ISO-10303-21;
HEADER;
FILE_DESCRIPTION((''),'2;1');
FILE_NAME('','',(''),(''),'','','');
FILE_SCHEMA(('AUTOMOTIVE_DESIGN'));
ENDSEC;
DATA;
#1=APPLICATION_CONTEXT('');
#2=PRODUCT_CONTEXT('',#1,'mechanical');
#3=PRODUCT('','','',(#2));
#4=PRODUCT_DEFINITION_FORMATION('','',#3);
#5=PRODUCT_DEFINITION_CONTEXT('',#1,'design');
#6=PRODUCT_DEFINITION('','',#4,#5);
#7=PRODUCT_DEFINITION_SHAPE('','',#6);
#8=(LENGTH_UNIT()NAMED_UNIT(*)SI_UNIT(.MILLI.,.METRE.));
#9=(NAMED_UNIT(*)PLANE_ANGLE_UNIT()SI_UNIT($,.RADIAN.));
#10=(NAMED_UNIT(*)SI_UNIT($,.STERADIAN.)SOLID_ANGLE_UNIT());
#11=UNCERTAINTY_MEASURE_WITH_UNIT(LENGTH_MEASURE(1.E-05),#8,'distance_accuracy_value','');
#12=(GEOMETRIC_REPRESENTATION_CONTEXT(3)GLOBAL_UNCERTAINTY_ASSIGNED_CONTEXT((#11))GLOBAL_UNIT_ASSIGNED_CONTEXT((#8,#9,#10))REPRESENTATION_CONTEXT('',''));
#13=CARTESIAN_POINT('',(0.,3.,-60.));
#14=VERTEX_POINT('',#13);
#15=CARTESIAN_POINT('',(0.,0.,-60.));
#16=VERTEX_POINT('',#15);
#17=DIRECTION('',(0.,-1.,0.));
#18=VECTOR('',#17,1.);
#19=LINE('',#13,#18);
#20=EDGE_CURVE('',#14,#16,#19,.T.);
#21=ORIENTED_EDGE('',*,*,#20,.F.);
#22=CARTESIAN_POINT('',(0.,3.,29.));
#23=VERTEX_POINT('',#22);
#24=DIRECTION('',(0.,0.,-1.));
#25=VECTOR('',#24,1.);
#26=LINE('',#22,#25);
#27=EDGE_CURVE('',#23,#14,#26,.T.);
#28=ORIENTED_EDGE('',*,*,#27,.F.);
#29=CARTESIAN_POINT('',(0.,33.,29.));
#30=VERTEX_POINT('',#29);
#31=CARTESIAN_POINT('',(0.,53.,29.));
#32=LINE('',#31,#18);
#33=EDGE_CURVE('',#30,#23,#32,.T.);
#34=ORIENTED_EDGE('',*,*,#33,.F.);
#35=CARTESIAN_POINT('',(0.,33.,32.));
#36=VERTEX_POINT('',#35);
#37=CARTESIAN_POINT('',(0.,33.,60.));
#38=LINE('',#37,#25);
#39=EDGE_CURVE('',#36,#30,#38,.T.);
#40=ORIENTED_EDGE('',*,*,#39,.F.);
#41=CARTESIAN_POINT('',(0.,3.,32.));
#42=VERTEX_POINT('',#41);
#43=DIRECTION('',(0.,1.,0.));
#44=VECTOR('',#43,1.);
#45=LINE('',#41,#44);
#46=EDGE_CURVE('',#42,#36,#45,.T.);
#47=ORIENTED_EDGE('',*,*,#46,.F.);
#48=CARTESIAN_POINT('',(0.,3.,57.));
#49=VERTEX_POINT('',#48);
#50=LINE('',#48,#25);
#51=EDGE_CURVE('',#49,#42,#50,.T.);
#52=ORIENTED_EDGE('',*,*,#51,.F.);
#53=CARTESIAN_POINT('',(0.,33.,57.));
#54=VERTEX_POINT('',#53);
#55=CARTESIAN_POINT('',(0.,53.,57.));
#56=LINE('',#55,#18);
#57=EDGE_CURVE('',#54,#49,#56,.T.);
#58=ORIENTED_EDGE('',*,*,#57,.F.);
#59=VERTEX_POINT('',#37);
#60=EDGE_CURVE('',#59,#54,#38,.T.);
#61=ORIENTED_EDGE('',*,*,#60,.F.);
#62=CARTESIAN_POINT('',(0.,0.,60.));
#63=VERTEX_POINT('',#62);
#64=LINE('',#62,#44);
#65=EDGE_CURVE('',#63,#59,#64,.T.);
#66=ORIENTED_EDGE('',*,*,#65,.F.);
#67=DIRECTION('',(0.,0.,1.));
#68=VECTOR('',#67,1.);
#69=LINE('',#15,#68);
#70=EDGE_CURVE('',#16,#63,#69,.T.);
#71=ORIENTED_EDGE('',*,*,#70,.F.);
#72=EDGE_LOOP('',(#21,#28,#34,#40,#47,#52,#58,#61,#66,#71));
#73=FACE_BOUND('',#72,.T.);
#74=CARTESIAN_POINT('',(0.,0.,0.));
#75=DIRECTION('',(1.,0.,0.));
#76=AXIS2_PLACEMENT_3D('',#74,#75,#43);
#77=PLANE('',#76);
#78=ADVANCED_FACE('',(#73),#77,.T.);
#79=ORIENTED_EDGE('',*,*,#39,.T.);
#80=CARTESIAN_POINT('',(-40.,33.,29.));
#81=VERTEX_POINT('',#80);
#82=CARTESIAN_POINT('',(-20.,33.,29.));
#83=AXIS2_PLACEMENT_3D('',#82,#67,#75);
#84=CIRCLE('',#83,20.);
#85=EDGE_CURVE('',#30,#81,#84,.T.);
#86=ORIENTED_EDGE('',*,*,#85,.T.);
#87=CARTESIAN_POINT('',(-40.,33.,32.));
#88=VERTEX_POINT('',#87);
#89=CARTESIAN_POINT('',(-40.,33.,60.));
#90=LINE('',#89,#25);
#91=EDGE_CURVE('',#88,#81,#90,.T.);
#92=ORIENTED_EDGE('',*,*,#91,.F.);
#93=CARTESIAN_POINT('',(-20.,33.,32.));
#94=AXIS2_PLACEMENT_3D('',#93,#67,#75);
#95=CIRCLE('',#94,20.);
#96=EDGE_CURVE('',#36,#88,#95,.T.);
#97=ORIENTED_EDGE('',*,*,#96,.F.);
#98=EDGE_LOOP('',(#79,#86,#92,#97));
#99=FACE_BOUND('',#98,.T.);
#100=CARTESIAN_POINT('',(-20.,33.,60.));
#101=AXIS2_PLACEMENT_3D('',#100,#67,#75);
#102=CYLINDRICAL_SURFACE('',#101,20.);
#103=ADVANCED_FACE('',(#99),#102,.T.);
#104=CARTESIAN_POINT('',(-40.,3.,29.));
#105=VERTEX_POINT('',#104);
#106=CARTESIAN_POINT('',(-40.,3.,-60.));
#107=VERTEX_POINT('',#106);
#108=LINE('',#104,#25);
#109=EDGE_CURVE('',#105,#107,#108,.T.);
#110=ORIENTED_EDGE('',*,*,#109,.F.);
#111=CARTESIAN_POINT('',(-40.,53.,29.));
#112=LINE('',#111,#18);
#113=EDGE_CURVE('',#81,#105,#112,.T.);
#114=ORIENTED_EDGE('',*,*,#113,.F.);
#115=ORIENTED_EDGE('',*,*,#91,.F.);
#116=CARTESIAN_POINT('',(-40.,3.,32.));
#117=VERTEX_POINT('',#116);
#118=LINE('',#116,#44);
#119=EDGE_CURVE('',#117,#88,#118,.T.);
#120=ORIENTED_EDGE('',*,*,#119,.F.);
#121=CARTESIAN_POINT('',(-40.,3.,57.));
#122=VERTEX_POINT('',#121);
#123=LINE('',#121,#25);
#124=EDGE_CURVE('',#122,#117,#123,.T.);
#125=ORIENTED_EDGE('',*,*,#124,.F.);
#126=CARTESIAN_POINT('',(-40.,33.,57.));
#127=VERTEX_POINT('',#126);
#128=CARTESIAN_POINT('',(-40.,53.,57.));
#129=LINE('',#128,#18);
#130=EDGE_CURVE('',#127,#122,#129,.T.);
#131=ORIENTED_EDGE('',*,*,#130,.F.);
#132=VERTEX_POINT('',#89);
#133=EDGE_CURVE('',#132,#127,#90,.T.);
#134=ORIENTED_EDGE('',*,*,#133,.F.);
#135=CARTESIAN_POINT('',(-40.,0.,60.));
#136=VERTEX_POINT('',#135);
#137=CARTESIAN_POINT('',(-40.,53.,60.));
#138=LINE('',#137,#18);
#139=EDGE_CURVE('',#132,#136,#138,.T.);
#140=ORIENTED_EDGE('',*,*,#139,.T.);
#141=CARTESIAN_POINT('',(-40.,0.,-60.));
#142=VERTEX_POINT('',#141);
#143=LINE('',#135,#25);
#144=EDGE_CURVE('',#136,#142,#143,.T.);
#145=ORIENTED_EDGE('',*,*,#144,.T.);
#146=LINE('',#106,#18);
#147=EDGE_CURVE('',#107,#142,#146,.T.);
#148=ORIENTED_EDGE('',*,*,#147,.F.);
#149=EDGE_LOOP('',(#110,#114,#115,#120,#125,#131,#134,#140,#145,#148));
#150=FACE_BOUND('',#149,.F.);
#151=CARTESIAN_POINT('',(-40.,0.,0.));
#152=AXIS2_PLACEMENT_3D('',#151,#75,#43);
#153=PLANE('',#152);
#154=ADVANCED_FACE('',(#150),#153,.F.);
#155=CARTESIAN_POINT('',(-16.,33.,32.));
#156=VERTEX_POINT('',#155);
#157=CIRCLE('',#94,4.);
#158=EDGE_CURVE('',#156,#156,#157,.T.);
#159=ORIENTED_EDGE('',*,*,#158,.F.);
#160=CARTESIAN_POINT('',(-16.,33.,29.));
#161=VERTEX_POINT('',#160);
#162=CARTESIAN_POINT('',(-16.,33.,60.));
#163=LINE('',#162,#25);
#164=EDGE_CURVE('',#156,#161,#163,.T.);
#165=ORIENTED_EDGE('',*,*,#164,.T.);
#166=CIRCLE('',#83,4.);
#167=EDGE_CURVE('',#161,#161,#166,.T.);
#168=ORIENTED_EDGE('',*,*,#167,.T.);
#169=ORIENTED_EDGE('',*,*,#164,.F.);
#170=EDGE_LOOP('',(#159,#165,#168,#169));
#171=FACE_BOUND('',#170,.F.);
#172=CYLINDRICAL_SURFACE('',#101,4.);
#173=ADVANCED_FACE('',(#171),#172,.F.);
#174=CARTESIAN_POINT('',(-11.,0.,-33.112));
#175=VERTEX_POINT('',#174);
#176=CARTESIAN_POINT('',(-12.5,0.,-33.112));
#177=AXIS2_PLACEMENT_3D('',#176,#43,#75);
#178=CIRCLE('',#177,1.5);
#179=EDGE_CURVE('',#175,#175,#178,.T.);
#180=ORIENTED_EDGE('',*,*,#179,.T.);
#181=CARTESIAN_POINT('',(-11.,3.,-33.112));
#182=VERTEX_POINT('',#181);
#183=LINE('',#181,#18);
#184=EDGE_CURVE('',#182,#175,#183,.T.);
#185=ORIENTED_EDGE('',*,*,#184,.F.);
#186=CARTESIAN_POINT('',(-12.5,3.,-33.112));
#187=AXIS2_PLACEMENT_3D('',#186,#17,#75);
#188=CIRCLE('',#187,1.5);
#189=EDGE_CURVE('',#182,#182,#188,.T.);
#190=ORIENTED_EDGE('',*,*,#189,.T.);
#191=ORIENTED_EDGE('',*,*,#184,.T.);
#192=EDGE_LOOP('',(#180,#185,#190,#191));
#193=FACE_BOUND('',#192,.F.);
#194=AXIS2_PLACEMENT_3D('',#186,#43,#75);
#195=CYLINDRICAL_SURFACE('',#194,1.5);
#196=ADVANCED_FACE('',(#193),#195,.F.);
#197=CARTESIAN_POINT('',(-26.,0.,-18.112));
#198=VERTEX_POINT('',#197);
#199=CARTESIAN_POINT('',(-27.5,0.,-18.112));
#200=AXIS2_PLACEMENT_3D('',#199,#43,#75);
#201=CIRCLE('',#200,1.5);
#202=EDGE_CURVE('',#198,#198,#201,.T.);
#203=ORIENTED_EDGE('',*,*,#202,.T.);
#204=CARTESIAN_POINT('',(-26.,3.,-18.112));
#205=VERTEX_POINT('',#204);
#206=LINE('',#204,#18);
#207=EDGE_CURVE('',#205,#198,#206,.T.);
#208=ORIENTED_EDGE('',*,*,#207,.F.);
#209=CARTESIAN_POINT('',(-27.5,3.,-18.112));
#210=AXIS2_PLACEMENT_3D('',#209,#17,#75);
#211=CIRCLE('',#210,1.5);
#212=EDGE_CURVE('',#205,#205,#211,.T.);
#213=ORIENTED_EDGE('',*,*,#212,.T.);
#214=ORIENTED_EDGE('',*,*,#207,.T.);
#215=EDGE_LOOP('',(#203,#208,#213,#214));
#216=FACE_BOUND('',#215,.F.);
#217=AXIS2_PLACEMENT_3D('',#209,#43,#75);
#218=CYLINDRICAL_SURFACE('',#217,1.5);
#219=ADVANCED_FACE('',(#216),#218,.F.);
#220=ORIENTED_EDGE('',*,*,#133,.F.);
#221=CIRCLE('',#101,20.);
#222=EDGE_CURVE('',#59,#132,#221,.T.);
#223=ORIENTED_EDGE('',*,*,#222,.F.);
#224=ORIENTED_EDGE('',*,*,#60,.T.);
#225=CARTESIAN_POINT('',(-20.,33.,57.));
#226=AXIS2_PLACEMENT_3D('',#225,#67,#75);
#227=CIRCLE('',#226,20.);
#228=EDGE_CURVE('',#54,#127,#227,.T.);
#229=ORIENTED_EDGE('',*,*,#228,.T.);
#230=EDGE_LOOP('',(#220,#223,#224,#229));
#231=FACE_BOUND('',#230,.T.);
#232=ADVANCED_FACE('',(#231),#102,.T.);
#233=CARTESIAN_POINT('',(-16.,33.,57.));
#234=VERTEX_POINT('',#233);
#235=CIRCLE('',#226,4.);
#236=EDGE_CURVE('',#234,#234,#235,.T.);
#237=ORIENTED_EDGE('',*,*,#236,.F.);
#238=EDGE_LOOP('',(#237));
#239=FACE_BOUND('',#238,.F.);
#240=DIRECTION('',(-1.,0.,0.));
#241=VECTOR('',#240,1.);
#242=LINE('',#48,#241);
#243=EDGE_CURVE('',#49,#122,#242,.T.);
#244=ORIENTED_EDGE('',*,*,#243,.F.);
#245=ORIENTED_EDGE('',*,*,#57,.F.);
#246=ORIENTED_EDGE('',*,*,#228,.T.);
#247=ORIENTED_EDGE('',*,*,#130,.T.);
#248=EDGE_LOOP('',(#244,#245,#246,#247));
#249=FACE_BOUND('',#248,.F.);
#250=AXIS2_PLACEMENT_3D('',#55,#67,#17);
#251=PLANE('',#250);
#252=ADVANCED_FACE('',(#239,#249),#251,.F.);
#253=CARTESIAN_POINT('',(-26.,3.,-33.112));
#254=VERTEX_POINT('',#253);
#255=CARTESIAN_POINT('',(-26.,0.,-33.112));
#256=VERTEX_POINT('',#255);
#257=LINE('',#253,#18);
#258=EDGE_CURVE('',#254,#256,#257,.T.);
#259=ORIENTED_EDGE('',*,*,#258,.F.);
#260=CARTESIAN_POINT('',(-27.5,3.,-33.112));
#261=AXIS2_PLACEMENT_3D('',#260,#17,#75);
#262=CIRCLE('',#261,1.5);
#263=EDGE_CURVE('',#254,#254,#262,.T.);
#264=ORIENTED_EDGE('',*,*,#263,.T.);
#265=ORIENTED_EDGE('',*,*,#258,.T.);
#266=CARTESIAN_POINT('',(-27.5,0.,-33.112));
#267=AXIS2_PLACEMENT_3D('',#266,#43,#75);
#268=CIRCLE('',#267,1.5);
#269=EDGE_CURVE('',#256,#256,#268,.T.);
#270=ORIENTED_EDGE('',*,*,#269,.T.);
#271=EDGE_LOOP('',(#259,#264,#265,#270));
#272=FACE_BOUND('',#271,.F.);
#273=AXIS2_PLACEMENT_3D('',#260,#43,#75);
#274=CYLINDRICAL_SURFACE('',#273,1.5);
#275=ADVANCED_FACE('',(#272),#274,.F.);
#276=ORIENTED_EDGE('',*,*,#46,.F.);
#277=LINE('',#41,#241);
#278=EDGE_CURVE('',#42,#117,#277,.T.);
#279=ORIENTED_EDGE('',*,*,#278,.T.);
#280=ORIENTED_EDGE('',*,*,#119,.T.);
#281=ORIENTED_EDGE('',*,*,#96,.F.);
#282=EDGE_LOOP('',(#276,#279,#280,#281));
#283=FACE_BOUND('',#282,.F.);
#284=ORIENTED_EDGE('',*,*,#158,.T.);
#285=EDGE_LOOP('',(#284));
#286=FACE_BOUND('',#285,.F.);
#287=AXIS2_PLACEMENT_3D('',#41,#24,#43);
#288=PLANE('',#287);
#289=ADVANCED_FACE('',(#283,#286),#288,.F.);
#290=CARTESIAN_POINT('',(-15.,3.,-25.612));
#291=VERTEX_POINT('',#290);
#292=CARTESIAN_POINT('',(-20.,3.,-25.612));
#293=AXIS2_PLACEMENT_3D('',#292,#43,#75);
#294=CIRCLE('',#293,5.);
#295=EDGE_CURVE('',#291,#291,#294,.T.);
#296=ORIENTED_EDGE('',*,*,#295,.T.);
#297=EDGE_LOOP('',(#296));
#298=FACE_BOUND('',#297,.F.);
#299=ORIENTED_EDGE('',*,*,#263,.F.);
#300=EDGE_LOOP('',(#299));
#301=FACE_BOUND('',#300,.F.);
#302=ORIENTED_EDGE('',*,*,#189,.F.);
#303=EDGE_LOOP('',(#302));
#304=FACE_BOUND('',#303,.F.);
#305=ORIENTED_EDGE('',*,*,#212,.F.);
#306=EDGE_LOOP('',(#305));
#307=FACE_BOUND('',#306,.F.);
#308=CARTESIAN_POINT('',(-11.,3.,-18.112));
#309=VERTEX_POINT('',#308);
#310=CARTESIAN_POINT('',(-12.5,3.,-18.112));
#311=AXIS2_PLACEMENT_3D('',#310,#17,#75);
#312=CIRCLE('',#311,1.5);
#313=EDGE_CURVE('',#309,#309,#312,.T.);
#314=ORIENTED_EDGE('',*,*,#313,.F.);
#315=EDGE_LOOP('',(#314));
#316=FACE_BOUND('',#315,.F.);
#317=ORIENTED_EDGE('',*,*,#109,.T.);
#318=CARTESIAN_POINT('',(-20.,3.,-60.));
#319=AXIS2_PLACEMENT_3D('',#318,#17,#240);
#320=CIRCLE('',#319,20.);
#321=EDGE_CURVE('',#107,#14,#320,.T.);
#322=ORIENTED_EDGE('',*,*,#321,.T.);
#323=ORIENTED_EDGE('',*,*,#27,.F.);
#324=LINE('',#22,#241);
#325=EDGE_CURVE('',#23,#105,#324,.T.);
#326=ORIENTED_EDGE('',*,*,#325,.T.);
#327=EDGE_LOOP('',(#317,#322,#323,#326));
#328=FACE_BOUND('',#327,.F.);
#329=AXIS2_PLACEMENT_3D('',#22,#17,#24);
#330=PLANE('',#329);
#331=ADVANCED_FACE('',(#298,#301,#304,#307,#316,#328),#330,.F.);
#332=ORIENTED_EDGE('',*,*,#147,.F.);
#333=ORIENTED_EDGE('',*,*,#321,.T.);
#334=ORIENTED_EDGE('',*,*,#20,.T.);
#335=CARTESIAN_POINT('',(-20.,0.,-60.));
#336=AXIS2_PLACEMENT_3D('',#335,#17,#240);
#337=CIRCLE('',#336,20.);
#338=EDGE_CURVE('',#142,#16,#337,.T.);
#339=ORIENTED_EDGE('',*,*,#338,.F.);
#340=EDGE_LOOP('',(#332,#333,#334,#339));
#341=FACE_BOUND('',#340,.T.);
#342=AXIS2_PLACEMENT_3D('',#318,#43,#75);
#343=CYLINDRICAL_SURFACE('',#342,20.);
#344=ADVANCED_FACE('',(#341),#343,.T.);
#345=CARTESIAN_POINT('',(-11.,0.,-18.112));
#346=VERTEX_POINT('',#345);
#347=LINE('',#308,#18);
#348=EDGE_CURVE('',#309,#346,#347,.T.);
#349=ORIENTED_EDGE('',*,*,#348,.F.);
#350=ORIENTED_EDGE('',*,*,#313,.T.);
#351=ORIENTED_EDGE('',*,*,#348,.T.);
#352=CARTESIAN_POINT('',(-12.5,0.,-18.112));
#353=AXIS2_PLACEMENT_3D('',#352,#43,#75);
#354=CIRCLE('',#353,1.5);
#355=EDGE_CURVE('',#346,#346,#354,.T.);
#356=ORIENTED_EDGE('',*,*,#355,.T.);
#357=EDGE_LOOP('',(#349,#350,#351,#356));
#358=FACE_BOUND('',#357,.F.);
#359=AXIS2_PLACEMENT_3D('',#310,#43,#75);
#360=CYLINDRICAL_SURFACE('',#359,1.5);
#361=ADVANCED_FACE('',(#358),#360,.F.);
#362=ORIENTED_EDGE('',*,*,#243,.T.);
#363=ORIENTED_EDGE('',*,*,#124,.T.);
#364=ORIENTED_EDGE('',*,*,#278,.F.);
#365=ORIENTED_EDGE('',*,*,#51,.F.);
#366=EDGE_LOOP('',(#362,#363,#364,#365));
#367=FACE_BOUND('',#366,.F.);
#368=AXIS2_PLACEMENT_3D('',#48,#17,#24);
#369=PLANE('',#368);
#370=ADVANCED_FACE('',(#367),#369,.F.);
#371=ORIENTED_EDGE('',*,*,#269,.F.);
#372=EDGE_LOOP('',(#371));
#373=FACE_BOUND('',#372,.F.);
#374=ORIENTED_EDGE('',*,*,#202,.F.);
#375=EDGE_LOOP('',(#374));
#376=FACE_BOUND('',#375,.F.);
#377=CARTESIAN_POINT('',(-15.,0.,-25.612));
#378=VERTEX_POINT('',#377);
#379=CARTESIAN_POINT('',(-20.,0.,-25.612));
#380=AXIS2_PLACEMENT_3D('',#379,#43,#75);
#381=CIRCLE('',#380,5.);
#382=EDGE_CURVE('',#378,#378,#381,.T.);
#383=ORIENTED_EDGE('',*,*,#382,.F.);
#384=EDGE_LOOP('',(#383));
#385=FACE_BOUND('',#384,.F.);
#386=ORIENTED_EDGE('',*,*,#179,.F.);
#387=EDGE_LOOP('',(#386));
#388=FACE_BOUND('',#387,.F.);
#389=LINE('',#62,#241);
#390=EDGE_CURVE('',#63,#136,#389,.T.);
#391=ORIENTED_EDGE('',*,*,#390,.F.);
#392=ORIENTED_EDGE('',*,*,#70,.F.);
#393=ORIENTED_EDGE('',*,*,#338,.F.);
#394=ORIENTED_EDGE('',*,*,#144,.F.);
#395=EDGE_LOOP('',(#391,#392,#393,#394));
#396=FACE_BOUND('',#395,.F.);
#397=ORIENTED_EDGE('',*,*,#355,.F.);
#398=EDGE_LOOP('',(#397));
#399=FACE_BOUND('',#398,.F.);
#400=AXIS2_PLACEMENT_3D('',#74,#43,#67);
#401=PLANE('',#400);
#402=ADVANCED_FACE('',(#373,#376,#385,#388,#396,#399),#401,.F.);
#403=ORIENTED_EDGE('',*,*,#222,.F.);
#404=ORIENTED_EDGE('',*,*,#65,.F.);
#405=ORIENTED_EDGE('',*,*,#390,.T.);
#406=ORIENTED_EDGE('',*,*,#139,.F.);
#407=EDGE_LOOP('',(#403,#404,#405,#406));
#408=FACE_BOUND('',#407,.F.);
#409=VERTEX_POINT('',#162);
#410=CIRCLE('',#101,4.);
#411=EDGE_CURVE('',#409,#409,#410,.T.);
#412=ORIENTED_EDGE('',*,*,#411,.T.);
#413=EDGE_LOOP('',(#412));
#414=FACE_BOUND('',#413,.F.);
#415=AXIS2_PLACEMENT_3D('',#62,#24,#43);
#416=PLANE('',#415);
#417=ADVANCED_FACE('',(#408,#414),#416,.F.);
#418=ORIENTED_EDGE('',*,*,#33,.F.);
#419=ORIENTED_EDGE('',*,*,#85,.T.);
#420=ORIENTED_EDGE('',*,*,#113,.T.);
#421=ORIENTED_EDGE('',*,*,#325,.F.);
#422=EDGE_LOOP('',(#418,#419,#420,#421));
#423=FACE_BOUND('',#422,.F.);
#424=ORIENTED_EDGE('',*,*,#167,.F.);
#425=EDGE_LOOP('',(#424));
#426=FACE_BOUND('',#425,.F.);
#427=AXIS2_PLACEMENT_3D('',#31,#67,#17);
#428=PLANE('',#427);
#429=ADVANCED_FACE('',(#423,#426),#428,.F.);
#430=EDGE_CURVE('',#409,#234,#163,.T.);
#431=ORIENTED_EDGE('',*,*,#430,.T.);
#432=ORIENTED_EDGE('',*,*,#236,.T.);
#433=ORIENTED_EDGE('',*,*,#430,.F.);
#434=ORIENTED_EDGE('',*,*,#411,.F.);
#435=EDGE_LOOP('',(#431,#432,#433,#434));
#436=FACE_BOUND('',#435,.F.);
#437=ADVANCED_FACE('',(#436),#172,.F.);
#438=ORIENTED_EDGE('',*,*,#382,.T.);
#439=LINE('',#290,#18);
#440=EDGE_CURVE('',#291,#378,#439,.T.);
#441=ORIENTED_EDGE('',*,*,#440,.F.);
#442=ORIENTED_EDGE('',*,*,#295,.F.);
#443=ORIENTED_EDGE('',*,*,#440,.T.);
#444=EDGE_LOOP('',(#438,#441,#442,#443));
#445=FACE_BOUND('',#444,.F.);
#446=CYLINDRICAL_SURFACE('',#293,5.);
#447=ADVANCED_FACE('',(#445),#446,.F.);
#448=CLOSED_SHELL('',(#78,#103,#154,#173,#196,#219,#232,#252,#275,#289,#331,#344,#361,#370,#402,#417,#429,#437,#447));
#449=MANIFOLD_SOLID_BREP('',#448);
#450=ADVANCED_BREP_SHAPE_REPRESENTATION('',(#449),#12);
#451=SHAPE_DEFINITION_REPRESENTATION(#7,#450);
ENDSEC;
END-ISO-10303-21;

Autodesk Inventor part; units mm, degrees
ref_plane "YZ Plane" through (0, 0, 0) normal (1, 0, 0) x (0, 1, 0)
ref_plane "XZ Plane" through (0, 0, 0) normal (0, 1, 0) x (-1, 0, 0)
ref_plane "XY Plane" through (0, 0, 0) normal (0, 0, 1) x (1, 0, 0)
sketch "Boceto1" plane through (0, 0, 0) normal (1, 0, 0) x (0, 1, 0)
  line L0 (0, 0) -> (0, 60)
  line L1 (0, 0) -> (0, -80)
  line L2 (0, 60) -> (3, 60)
  line L3 (3, -80) -> (0, -80)
  line L4 (3, 60) -> (53, 60)
  line L5 (53, 60) -> (53, 57)
  line L6 (53, 57) -> (3, 57)
  line L7 (3, 32) -> (53, 32)
  line L8 (53, 32) -> (53, 29)
  line L9 (53, 29) -> (3, 29)
  line L10 (3, 57) -> (3, 32)
  line L11 (3, 29) -> (3, -80)
  dimension "d0" = 60
  dimension "d1" = 80
  dimension "d2" = 3
  dimension "d3" = 140
  dimension "d4" = 50
  dimension "d5" = 3
  dimension "d6" = 50
  dimension "d7" = 3
  dimension "d8" = 25
extrude "Extrusión1" add sketch "Boceto1" against normal blind 40
sketch "Boceto2" plane through (0, 3, 29) normal (0, 1, 0) x (1, 0, 0)
  line L0 (-40, 109) -> (-40, -31) projected
  line L1 (0, 109) -> (-40, 109) projected
  arc A0 (0, 89) -> (-40, 89) centre (-20, 89) ccw
  line L2 (0, 89) -> (0, 109)
  line L3 (-40, 109) -> (-40, 89)
  point P0 (0, 29)
  point P1 (-20, 109)
extrude "Extrusión2" cut sketch "Boceto2" against normal blind 40
sketch "Boceto3" plane through (0, 0, 60) normal (0, 0, 1) x (1, 0, 0)
  line L0 (0, 53) -> (-40, 53) projected
  arc A0 (0, 33) -> (-40, 33) centre (-20, 33) ccw
  line L1 (-40, 33) -> (-40, 53)
  line L2 (0, 53) -> (0, 33)
  point P0 (0, 0)
  point P1 (-20, 53)
extrude "Extrusión3" cut sketch "Boceto3" against normal blind 40
sketch "Boceto4" plane through (-40, 0, 60) normal (0, 0, 1) x (1, 0, 0)
  arc A0 (40, 33) -> (0, 33) centre (20, 33) ccw projected
  circle A1 centre (20, 33) radius 4
  point P0 (40, 0)
  dimension "d15" = 8
extrude "Extrusión4" cut sketch "Boceto4" against normal blind 40
sketch "Boceto5" plane through (-40, 3, 29) normal (0, 1, 0) x (1, 0, 0)
  line L0 (0, 0) -> (0, 89.224)
  line L1 (0, 44.612) -> (40, 44.612)
  line L2 (20, 44.612) -> (20, 54.612)
  circle A0 centre (20, 54.612) radius 5
  point P0 (40, 29)
  dimension "d20" = 10
  dimension "d21" = 10
extrude "Extrusión5" cut sketch "Boceto5" against normal blind 40
sketch "Boceto6" plane through (-40, 3, 29) normal (0, 1, 0) x (1, 0, 0)
  line L0 (27.5, 62.112) -> (12.5, 62.112)
  line L1 (12.5, 62.112) -> (12.5, 47.112)
  line L2 (12.5, 47.112) -> (27.5, 47.112)
  line L3 (27.5, 47.112) -> (27.5, 62.112)
  circle A0 centre (20, 54.612) radius 5 projected
  line L4 (27.5, 62.112) -> (12.5, 47.112) construction
  line L5 (12.5, 62.112) -> (27.5, 47.112) construction
  circle A1 centre (12.5, 62.112) radius 1.5
  circle A2 centre (27.5, 62.112) radius 1.5
  circle A3 centre (12.5, 47.112) radius 1.5
  circle A4 centre (27.5, 47.112) radius 1.5
  point P0 (40, 29)
  dimension "d24" = 15
  dimension "d25" = 15
  dimension "d26" = 3
  dimension "d27" = 3
  dimension "d28" = 3
  dimension "d29" = 3
extrude "Extrusión6" cut sketch "Boceto6" against normal blind 5 contours A1 L1 L0 | L0 L1 A1 | A2 L3 L0 | L0 L3 A2 | A3 L2 L1 | L1 L2 A3 | A4 L2 L3 | L3 L2 A4
properties part number "Base_engine" material "Plástico ABS"
